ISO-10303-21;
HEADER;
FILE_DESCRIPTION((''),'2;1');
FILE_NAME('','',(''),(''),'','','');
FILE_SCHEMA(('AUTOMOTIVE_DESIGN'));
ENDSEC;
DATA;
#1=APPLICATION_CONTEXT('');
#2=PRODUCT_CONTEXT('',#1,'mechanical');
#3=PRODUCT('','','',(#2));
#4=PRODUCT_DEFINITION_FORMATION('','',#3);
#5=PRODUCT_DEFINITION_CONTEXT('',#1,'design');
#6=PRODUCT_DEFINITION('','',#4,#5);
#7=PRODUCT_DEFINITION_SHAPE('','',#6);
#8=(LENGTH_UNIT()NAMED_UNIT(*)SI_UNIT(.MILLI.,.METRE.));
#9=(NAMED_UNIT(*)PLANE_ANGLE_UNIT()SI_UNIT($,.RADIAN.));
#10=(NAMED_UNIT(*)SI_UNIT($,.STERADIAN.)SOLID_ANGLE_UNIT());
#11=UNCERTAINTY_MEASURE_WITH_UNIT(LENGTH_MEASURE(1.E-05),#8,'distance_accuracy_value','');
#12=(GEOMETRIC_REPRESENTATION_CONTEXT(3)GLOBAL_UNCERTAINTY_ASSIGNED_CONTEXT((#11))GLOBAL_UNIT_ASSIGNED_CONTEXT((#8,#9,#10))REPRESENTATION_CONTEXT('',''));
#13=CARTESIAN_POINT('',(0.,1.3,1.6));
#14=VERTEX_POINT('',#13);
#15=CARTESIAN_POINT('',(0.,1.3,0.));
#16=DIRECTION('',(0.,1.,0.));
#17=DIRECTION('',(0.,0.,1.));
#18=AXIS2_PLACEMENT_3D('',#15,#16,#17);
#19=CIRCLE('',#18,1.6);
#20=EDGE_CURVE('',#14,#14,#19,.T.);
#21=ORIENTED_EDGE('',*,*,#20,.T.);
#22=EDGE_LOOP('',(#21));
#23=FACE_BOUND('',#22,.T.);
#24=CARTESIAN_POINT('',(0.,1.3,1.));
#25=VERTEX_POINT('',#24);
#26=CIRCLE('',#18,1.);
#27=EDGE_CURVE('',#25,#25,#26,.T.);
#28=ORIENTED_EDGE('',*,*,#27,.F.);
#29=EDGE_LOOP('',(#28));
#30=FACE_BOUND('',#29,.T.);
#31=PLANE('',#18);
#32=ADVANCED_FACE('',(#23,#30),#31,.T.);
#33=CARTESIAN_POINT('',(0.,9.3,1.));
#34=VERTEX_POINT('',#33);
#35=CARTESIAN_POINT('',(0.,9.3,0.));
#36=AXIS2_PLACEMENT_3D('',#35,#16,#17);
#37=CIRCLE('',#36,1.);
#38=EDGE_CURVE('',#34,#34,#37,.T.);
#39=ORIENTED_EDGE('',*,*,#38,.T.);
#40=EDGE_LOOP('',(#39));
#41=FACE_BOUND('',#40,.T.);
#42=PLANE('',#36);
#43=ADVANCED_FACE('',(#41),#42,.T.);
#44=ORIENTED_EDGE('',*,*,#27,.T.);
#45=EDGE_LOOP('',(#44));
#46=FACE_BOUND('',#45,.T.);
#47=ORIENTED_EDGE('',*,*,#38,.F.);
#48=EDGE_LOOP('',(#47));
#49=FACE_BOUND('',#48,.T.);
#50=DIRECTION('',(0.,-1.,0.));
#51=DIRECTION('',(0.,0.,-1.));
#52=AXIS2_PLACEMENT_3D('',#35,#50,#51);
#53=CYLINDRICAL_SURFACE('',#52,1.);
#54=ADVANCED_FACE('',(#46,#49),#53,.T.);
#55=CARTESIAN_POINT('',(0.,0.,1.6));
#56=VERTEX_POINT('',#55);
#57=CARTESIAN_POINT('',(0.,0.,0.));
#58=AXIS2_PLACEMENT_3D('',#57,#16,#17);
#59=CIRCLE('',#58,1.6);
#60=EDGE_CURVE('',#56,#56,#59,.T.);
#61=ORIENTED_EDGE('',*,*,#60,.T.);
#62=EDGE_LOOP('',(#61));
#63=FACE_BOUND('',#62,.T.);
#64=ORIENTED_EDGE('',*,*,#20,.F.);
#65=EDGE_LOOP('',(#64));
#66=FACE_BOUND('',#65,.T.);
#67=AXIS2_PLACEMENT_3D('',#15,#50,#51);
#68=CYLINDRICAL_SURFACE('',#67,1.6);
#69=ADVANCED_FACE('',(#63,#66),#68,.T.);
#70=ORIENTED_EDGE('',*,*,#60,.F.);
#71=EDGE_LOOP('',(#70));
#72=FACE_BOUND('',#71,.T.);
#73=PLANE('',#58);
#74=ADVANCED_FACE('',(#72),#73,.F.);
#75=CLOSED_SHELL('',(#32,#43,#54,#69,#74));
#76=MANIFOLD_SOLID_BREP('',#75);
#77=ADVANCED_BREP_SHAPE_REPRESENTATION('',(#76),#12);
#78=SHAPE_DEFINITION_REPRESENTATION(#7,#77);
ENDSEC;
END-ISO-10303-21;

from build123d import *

# Parameters (mm, degrees)
SKETCH_1_R      = 1.6
EXTRUDE_1_DEPTH = 1.3
SKETCH_2_R      = 1
EXTRUDE_2_DEPTH = 8


with BuildPart() as part:
    # 草图1 → 凸台-拉伸1 (new body)
    with BuildSketch(Plane(origin=(0, 0, 0), x_dir=(1, 0, 0), z_dir=(0, 1, 0))):
        with Locations(Location((0, 0, 0), (0, 0, 270))):
            Circle(SKETCH_1_R)
    extrude(amount=EXTRUDE_1_DEPTH)

    # 草图2 → 凸台-拉伸2 (add)
    with BuildSketch(Plane(origin=(0, 1.3, 0), x_dir=(1, 0, 0), z_dir=(0, 1, 0))):
        with Locations(Location((0, 0, 0), (0, 0, 270))):
            Circle(SKETCH_2_R)
    extrude(amount=EXTRUDE_2_DEPTH)


solid = part.part
